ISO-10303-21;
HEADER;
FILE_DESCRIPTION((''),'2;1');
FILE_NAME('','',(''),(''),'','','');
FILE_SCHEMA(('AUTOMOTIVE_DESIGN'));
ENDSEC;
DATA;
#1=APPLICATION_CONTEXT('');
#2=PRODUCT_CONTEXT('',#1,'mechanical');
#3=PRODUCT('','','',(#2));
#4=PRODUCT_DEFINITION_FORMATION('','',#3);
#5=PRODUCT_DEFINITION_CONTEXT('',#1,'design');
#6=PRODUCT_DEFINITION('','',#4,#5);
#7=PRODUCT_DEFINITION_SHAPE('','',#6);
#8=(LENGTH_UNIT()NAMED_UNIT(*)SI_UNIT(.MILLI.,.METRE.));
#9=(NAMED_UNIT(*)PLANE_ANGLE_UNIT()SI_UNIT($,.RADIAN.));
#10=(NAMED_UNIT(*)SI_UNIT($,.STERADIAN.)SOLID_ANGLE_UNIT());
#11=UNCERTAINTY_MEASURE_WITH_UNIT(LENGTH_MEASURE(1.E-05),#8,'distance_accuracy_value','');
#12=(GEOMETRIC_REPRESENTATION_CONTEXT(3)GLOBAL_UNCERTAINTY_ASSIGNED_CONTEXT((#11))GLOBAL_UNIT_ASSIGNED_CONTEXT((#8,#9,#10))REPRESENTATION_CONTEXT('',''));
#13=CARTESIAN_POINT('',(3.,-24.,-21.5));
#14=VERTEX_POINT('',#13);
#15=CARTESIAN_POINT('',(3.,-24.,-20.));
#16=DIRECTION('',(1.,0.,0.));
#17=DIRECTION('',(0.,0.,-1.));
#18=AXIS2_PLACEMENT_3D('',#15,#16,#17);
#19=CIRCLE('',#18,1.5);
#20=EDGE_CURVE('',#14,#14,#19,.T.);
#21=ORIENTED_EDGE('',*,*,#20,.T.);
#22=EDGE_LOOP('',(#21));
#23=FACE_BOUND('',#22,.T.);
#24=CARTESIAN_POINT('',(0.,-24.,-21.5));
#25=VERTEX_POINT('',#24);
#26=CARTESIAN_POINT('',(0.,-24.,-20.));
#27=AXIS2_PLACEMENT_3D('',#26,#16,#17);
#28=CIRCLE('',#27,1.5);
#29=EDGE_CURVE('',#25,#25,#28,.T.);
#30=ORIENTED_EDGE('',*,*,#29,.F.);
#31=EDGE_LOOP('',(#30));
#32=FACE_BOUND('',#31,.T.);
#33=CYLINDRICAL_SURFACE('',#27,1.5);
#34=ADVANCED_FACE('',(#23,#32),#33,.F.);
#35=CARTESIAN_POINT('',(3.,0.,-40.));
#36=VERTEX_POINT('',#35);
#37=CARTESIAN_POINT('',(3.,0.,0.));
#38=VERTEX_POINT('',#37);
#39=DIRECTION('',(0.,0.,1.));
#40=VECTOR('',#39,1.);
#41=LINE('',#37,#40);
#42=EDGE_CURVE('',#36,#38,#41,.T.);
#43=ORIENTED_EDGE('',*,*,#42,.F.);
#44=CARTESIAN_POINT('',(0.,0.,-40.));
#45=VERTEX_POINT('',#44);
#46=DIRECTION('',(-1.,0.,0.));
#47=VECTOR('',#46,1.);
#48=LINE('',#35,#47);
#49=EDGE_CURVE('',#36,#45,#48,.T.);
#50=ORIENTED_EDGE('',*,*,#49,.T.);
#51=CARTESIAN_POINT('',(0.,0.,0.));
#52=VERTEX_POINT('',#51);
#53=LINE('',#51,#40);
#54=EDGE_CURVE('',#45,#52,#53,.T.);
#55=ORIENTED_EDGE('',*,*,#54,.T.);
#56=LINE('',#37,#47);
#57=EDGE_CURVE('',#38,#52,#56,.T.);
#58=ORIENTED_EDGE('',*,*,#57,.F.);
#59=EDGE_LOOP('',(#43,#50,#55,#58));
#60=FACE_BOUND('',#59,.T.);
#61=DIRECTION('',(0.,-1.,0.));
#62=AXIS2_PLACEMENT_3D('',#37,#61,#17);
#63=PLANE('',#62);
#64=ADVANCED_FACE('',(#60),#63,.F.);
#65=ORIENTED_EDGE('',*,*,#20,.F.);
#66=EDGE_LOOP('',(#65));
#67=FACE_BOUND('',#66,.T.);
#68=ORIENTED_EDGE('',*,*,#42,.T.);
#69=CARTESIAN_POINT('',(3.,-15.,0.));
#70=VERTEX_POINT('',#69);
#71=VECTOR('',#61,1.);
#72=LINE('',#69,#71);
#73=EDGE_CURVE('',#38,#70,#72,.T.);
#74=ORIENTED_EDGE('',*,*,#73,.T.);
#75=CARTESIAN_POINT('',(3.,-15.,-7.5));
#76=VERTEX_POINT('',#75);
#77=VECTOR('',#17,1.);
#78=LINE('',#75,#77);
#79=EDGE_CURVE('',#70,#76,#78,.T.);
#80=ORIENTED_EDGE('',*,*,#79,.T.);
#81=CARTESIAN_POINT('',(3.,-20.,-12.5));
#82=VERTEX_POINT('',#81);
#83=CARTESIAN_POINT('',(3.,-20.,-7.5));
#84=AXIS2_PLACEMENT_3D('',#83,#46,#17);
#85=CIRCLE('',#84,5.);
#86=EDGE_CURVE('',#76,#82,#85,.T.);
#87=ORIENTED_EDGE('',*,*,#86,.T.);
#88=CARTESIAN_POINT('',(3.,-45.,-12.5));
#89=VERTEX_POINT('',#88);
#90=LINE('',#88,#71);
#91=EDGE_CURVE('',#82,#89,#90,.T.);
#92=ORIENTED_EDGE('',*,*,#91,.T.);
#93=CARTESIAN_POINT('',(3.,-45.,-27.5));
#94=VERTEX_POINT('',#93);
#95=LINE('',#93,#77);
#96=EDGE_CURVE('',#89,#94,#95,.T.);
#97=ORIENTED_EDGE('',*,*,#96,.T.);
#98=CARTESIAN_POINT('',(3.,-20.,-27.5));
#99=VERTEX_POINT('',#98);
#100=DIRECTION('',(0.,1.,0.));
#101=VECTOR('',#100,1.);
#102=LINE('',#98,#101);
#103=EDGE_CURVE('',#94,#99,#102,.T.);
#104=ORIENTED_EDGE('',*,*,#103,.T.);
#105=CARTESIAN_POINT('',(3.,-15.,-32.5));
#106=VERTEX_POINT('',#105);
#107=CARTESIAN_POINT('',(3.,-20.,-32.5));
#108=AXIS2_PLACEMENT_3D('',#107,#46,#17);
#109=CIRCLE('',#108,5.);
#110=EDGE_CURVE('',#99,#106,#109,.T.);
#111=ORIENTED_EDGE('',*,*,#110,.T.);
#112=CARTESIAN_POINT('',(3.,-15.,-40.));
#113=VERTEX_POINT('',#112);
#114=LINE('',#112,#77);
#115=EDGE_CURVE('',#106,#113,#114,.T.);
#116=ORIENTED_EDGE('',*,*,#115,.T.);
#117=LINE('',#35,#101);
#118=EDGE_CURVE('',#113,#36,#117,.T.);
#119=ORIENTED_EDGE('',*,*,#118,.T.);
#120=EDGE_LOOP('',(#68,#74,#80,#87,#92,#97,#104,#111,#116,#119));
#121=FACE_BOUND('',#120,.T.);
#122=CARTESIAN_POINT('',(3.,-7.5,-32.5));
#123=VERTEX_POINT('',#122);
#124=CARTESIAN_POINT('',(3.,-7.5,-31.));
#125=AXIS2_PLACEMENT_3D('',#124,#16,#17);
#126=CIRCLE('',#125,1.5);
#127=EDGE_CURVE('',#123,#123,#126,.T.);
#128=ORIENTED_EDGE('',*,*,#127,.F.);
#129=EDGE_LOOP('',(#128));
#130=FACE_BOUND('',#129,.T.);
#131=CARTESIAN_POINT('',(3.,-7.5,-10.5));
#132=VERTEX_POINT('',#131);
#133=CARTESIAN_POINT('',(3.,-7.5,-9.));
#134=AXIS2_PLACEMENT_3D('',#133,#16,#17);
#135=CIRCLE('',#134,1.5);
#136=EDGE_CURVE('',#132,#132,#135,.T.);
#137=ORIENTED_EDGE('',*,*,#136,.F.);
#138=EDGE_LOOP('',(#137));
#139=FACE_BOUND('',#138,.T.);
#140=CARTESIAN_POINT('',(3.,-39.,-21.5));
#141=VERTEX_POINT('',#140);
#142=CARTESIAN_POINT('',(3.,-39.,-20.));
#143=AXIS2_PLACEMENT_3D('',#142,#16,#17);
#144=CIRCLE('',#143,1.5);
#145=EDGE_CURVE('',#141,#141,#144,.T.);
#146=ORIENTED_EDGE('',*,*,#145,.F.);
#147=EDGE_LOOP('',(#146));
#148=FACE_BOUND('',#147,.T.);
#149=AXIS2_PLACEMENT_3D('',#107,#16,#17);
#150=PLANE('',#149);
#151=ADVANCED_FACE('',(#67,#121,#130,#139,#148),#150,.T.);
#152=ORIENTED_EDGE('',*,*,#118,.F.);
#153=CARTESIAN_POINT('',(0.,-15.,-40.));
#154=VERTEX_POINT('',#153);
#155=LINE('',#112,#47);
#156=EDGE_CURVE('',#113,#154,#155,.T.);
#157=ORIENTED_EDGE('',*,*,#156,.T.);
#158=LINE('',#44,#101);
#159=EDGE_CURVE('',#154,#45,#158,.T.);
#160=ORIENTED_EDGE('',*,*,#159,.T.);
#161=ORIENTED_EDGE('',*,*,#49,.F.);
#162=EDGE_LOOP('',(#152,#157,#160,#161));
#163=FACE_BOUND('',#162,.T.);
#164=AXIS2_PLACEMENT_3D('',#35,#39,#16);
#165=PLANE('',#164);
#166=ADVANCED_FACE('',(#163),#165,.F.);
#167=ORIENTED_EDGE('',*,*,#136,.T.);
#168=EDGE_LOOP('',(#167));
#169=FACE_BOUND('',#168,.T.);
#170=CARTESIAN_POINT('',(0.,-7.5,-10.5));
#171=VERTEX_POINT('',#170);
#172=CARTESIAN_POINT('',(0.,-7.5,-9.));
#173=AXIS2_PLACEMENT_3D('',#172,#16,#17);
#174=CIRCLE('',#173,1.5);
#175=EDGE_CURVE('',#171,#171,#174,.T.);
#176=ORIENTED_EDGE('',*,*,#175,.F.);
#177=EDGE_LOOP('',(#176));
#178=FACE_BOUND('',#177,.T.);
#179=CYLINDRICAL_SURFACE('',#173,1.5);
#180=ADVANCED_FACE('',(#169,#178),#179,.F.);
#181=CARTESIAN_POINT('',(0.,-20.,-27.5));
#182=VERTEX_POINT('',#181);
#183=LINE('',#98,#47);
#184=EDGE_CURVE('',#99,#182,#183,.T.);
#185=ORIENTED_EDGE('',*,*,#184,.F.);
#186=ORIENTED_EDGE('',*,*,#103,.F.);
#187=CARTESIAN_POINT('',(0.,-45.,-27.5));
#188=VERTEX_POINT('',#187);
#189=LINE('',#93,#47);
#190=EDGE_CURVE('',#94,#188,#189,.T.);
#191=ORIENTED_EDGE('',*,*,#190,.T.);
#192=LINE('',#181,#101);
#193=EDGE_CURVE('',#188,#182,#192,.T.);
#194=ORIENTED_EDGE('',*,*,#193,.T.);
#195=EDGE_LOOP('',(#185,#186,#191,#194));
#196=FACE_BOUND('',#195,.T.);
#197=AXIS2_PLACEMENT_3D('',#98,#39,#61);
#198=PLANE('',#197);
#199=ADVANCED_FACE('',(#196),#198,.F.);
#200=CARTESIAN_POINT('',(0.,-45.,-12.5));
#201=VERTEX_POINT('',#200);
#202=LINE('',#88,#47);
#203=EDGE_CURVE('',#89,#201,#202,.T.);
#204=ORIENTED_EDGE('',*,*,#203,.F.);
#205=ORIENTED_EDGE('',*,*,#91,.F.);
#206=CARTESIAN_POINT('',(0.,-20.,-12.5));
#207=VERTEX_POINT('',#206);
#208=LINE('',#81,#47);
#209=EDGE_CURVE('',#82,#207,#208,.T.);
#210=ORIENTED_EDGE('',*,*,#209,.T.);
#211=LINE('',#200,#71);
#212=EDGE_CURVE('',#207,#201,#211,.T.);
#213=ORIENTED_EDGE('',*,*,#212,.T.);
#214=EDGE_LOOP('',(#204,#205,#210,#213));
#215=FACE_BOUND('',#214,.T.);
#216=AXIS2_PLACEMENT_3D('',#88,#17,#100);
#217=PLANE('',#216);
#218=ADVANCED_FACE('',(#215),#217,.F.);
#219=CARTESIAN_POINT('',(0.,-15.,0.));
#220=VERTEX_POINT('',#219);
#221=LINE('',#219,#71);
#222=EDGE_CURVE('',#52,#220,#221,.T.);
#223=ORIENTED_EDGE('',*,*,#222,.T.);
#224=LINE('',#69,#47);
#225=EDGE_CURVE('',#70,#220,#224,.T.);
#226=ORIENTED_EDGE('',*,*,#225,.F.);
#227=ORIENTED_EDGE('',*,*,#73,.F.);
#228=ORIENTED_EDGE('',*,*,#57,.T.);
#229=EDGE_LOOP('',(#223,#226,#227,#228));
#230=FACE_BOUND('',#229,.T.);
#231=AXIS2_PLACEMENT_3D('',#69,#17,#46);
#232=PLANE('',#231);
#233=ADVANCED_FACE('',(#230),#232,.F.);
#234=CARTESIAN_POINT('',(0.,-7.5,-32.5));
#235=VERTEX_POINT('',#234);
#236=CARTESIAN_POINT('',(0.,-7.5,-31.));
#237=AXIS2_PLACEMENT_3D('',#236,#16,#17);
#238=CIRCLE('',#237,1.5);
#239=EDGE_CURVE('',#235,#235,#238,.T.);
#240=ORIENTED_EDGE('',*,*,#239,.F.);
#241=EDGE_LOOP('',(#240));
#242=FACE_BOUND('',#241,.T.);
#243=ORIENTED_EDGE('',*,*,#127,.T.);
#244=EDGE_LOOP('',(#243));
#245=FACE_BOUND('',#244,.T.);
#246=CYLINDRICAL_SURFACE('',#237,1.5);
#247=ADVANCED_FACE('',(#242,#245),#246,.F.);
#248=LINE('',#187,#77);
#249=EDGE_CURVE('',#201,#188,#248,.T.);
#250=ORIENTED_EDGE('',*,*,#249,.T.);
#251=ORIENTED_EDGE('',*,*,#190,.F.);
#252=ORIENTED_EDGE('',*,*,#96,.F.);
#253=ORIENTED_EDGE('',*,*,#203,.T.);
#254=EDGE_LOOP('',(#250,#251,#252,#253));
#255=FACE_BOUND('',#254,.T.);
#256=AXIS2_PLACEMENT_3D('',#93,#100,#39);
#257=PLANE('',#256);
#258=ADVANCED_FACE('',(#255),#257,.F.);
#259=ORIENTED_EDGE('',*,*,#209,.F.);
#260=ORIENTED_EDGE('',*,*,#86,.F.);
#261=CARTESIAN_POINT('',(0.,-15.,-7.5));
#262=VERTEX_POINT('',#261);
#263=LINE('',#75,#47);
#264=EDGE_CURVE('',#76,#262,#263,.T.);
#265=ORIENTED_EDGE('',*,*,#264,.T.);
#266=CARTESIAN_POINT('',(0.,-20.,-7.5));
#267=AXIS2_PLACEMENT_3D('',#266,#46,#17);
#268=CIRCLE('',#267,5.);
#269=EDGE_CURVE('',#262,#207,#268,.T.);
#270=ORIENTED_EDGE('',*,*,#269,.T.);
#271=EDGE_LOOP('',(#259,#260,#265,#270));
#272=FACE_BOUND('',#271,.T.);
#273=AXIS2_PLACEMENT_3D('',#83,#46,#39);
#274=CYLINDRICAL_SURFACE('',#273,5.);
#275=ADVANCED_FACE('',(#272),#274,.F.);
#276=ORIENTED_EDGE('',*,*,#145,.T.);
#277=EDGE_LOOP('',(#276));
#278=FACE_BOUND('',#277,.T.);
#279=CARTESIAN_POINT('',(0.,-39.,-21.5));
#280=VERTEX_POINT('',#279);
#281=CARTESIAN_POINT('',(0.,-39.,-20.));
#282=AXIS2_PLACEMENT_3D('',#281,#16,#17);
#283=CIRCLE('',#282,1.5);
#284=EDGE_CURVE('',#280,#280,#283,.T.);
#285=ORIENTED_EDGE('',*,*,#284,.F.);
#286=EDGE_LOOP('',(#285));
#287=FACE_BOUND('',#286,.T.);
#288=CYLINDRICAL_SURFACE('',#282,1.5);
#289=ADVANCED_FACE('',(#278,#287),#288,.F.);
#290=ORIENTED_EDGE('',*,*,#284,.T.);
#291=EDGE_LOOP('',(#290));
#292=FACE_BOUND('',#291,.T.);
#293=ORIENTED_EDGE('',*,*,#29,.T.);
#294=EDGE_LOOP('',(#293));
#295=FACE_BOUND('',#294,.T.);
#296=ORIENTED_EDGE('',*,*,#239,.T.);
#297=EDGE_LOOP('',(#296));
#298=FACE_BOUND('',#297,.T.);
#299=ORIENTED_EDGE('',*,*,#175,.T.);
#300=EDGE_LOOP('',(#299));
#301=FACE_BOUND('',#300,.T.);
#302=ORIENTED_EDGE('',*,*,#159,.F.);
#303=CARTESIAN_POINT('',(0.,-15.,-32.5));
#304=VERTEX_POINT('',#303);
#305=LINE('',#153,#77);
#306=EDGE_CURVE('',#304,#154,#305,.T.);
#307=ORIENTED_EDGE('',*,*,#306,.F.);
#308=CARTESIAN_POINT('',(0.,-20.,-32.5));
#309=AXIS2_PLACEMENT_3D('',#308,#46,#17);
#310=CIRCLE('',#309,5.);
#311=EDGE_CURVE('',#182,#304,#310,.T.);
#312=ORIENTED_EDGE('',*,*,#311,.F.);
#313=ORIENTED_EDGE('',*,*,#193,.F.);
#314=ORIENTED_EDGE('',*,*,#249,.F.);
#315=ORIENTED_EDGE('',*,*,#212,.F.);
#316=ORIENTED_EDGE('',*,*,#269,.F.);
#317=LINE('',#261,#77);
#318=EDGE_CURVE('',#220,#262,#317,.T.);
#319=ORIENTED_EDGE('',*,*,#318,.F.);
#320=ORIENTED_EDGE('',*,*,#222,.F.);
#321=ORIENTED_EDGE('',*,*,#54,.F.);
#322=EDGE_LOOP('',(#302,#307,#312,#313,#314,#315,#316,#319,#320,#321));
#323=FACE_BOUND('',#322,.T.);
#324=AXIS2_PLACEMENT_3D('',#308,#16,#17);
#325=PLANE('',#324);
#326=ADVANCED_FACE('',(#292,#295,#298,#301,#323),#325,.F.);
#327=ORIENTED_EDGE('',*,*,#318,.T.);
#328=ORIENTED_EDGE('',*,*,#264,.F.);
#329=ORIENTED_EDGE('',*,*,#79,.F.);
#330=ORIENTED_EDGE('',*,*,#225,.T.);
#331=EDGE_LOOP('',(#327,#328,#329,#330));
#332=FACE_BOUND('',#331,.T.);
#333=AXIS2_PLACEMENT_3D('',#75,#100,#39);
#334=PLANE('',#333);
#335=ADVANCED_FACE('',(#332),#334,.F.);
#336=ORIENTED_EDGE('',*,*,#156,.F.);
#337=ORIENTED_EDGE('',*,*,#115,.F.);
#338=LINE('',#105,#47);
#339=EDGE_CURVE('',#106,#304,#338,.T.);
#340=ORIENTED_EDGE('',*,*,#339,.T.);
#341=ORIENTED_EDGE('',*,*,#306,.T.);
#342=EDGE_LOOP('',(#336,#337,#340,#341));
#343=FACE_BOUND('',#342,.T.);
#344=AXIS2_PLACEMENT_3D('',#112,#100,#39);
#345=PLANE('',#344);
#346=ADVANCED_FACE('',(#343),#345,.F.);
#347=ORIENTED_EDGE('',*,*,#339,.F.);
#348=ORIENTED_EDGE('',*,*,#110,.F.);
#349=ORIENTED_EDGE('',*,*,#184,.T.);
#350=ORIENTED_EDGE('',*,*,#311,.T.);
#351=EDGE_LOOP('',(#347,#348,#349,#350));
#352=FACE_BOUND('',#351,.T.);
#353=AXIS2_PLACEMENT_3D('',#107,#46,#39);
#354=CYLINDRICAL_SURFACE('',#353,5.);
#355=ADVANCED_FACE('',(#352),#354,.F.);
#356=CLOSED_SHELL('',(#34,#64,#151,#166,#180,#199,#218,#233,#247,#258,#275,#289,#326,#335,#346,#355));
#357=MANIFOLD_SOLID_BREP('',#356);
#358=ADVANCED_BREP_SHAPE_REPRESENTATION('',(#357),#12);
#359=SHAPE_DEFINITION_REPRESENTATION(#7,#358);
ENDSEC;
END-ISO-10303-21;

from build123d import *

# Parameters (mm, degrees)
EXTRUDE_1_DEPTH     = 3
SKETCH_2_R          = 1.5
CUT_EXTRUDE_1_DEPTH = 3


with BuildPart() as part:
    # 草图1 → 凸台-拉伸1 (new body)
    with BuildSketch(Plane(origin=(0, 0, 0), x_dir=(0, 0, -1), z_dir=(1, 0, 0))):
        with BuildLine():
            Line((0, 0), (40, 0))
            Line((40, 0), (40, -15))
            Line((40, -15), (32.5, -15))
            ThreePointArc((32.5, -15), (28.964466094, -16.464466094), (27.5, -20))
            Line((27.5, -20), (27.5, -45))
            Line((27.5, -45), (12.5, -45))
            Line((12.5, -45), (12.5, -20))
            ThreePointArc((12.5, -20), (11.035533906, -16.464466094), (7.5, -15))
            Line((7.5, -15), (0, -15))
            Line((0, -15), (0, 0))
        make_face()
    extrude(amount=EXTRUDE_1_DEPTH)

    # 草图2 → 切除-拉伸1 (cut)
    with BuildSketch(Plane(origin=(3, 0, 0), x_dir=(0, 0, -1), z_dir=(1, 0, 0))):
        with Locations((31, -7.5)):
            Circle(SKETCH_2_R)
        with Locations((9, -7.5)):
            Circle(SKETCH_2_R)
        with Locations((20, -39)):
            Circle(SKETCH_2_R)
        with Locations((20, -24)):
            Circle(SKETCH_2_R)
    extrude(amount=-CUT_EXTRUDE_1_DEPTH, mode=Mode.SUBTRACT)


solid = part.part
